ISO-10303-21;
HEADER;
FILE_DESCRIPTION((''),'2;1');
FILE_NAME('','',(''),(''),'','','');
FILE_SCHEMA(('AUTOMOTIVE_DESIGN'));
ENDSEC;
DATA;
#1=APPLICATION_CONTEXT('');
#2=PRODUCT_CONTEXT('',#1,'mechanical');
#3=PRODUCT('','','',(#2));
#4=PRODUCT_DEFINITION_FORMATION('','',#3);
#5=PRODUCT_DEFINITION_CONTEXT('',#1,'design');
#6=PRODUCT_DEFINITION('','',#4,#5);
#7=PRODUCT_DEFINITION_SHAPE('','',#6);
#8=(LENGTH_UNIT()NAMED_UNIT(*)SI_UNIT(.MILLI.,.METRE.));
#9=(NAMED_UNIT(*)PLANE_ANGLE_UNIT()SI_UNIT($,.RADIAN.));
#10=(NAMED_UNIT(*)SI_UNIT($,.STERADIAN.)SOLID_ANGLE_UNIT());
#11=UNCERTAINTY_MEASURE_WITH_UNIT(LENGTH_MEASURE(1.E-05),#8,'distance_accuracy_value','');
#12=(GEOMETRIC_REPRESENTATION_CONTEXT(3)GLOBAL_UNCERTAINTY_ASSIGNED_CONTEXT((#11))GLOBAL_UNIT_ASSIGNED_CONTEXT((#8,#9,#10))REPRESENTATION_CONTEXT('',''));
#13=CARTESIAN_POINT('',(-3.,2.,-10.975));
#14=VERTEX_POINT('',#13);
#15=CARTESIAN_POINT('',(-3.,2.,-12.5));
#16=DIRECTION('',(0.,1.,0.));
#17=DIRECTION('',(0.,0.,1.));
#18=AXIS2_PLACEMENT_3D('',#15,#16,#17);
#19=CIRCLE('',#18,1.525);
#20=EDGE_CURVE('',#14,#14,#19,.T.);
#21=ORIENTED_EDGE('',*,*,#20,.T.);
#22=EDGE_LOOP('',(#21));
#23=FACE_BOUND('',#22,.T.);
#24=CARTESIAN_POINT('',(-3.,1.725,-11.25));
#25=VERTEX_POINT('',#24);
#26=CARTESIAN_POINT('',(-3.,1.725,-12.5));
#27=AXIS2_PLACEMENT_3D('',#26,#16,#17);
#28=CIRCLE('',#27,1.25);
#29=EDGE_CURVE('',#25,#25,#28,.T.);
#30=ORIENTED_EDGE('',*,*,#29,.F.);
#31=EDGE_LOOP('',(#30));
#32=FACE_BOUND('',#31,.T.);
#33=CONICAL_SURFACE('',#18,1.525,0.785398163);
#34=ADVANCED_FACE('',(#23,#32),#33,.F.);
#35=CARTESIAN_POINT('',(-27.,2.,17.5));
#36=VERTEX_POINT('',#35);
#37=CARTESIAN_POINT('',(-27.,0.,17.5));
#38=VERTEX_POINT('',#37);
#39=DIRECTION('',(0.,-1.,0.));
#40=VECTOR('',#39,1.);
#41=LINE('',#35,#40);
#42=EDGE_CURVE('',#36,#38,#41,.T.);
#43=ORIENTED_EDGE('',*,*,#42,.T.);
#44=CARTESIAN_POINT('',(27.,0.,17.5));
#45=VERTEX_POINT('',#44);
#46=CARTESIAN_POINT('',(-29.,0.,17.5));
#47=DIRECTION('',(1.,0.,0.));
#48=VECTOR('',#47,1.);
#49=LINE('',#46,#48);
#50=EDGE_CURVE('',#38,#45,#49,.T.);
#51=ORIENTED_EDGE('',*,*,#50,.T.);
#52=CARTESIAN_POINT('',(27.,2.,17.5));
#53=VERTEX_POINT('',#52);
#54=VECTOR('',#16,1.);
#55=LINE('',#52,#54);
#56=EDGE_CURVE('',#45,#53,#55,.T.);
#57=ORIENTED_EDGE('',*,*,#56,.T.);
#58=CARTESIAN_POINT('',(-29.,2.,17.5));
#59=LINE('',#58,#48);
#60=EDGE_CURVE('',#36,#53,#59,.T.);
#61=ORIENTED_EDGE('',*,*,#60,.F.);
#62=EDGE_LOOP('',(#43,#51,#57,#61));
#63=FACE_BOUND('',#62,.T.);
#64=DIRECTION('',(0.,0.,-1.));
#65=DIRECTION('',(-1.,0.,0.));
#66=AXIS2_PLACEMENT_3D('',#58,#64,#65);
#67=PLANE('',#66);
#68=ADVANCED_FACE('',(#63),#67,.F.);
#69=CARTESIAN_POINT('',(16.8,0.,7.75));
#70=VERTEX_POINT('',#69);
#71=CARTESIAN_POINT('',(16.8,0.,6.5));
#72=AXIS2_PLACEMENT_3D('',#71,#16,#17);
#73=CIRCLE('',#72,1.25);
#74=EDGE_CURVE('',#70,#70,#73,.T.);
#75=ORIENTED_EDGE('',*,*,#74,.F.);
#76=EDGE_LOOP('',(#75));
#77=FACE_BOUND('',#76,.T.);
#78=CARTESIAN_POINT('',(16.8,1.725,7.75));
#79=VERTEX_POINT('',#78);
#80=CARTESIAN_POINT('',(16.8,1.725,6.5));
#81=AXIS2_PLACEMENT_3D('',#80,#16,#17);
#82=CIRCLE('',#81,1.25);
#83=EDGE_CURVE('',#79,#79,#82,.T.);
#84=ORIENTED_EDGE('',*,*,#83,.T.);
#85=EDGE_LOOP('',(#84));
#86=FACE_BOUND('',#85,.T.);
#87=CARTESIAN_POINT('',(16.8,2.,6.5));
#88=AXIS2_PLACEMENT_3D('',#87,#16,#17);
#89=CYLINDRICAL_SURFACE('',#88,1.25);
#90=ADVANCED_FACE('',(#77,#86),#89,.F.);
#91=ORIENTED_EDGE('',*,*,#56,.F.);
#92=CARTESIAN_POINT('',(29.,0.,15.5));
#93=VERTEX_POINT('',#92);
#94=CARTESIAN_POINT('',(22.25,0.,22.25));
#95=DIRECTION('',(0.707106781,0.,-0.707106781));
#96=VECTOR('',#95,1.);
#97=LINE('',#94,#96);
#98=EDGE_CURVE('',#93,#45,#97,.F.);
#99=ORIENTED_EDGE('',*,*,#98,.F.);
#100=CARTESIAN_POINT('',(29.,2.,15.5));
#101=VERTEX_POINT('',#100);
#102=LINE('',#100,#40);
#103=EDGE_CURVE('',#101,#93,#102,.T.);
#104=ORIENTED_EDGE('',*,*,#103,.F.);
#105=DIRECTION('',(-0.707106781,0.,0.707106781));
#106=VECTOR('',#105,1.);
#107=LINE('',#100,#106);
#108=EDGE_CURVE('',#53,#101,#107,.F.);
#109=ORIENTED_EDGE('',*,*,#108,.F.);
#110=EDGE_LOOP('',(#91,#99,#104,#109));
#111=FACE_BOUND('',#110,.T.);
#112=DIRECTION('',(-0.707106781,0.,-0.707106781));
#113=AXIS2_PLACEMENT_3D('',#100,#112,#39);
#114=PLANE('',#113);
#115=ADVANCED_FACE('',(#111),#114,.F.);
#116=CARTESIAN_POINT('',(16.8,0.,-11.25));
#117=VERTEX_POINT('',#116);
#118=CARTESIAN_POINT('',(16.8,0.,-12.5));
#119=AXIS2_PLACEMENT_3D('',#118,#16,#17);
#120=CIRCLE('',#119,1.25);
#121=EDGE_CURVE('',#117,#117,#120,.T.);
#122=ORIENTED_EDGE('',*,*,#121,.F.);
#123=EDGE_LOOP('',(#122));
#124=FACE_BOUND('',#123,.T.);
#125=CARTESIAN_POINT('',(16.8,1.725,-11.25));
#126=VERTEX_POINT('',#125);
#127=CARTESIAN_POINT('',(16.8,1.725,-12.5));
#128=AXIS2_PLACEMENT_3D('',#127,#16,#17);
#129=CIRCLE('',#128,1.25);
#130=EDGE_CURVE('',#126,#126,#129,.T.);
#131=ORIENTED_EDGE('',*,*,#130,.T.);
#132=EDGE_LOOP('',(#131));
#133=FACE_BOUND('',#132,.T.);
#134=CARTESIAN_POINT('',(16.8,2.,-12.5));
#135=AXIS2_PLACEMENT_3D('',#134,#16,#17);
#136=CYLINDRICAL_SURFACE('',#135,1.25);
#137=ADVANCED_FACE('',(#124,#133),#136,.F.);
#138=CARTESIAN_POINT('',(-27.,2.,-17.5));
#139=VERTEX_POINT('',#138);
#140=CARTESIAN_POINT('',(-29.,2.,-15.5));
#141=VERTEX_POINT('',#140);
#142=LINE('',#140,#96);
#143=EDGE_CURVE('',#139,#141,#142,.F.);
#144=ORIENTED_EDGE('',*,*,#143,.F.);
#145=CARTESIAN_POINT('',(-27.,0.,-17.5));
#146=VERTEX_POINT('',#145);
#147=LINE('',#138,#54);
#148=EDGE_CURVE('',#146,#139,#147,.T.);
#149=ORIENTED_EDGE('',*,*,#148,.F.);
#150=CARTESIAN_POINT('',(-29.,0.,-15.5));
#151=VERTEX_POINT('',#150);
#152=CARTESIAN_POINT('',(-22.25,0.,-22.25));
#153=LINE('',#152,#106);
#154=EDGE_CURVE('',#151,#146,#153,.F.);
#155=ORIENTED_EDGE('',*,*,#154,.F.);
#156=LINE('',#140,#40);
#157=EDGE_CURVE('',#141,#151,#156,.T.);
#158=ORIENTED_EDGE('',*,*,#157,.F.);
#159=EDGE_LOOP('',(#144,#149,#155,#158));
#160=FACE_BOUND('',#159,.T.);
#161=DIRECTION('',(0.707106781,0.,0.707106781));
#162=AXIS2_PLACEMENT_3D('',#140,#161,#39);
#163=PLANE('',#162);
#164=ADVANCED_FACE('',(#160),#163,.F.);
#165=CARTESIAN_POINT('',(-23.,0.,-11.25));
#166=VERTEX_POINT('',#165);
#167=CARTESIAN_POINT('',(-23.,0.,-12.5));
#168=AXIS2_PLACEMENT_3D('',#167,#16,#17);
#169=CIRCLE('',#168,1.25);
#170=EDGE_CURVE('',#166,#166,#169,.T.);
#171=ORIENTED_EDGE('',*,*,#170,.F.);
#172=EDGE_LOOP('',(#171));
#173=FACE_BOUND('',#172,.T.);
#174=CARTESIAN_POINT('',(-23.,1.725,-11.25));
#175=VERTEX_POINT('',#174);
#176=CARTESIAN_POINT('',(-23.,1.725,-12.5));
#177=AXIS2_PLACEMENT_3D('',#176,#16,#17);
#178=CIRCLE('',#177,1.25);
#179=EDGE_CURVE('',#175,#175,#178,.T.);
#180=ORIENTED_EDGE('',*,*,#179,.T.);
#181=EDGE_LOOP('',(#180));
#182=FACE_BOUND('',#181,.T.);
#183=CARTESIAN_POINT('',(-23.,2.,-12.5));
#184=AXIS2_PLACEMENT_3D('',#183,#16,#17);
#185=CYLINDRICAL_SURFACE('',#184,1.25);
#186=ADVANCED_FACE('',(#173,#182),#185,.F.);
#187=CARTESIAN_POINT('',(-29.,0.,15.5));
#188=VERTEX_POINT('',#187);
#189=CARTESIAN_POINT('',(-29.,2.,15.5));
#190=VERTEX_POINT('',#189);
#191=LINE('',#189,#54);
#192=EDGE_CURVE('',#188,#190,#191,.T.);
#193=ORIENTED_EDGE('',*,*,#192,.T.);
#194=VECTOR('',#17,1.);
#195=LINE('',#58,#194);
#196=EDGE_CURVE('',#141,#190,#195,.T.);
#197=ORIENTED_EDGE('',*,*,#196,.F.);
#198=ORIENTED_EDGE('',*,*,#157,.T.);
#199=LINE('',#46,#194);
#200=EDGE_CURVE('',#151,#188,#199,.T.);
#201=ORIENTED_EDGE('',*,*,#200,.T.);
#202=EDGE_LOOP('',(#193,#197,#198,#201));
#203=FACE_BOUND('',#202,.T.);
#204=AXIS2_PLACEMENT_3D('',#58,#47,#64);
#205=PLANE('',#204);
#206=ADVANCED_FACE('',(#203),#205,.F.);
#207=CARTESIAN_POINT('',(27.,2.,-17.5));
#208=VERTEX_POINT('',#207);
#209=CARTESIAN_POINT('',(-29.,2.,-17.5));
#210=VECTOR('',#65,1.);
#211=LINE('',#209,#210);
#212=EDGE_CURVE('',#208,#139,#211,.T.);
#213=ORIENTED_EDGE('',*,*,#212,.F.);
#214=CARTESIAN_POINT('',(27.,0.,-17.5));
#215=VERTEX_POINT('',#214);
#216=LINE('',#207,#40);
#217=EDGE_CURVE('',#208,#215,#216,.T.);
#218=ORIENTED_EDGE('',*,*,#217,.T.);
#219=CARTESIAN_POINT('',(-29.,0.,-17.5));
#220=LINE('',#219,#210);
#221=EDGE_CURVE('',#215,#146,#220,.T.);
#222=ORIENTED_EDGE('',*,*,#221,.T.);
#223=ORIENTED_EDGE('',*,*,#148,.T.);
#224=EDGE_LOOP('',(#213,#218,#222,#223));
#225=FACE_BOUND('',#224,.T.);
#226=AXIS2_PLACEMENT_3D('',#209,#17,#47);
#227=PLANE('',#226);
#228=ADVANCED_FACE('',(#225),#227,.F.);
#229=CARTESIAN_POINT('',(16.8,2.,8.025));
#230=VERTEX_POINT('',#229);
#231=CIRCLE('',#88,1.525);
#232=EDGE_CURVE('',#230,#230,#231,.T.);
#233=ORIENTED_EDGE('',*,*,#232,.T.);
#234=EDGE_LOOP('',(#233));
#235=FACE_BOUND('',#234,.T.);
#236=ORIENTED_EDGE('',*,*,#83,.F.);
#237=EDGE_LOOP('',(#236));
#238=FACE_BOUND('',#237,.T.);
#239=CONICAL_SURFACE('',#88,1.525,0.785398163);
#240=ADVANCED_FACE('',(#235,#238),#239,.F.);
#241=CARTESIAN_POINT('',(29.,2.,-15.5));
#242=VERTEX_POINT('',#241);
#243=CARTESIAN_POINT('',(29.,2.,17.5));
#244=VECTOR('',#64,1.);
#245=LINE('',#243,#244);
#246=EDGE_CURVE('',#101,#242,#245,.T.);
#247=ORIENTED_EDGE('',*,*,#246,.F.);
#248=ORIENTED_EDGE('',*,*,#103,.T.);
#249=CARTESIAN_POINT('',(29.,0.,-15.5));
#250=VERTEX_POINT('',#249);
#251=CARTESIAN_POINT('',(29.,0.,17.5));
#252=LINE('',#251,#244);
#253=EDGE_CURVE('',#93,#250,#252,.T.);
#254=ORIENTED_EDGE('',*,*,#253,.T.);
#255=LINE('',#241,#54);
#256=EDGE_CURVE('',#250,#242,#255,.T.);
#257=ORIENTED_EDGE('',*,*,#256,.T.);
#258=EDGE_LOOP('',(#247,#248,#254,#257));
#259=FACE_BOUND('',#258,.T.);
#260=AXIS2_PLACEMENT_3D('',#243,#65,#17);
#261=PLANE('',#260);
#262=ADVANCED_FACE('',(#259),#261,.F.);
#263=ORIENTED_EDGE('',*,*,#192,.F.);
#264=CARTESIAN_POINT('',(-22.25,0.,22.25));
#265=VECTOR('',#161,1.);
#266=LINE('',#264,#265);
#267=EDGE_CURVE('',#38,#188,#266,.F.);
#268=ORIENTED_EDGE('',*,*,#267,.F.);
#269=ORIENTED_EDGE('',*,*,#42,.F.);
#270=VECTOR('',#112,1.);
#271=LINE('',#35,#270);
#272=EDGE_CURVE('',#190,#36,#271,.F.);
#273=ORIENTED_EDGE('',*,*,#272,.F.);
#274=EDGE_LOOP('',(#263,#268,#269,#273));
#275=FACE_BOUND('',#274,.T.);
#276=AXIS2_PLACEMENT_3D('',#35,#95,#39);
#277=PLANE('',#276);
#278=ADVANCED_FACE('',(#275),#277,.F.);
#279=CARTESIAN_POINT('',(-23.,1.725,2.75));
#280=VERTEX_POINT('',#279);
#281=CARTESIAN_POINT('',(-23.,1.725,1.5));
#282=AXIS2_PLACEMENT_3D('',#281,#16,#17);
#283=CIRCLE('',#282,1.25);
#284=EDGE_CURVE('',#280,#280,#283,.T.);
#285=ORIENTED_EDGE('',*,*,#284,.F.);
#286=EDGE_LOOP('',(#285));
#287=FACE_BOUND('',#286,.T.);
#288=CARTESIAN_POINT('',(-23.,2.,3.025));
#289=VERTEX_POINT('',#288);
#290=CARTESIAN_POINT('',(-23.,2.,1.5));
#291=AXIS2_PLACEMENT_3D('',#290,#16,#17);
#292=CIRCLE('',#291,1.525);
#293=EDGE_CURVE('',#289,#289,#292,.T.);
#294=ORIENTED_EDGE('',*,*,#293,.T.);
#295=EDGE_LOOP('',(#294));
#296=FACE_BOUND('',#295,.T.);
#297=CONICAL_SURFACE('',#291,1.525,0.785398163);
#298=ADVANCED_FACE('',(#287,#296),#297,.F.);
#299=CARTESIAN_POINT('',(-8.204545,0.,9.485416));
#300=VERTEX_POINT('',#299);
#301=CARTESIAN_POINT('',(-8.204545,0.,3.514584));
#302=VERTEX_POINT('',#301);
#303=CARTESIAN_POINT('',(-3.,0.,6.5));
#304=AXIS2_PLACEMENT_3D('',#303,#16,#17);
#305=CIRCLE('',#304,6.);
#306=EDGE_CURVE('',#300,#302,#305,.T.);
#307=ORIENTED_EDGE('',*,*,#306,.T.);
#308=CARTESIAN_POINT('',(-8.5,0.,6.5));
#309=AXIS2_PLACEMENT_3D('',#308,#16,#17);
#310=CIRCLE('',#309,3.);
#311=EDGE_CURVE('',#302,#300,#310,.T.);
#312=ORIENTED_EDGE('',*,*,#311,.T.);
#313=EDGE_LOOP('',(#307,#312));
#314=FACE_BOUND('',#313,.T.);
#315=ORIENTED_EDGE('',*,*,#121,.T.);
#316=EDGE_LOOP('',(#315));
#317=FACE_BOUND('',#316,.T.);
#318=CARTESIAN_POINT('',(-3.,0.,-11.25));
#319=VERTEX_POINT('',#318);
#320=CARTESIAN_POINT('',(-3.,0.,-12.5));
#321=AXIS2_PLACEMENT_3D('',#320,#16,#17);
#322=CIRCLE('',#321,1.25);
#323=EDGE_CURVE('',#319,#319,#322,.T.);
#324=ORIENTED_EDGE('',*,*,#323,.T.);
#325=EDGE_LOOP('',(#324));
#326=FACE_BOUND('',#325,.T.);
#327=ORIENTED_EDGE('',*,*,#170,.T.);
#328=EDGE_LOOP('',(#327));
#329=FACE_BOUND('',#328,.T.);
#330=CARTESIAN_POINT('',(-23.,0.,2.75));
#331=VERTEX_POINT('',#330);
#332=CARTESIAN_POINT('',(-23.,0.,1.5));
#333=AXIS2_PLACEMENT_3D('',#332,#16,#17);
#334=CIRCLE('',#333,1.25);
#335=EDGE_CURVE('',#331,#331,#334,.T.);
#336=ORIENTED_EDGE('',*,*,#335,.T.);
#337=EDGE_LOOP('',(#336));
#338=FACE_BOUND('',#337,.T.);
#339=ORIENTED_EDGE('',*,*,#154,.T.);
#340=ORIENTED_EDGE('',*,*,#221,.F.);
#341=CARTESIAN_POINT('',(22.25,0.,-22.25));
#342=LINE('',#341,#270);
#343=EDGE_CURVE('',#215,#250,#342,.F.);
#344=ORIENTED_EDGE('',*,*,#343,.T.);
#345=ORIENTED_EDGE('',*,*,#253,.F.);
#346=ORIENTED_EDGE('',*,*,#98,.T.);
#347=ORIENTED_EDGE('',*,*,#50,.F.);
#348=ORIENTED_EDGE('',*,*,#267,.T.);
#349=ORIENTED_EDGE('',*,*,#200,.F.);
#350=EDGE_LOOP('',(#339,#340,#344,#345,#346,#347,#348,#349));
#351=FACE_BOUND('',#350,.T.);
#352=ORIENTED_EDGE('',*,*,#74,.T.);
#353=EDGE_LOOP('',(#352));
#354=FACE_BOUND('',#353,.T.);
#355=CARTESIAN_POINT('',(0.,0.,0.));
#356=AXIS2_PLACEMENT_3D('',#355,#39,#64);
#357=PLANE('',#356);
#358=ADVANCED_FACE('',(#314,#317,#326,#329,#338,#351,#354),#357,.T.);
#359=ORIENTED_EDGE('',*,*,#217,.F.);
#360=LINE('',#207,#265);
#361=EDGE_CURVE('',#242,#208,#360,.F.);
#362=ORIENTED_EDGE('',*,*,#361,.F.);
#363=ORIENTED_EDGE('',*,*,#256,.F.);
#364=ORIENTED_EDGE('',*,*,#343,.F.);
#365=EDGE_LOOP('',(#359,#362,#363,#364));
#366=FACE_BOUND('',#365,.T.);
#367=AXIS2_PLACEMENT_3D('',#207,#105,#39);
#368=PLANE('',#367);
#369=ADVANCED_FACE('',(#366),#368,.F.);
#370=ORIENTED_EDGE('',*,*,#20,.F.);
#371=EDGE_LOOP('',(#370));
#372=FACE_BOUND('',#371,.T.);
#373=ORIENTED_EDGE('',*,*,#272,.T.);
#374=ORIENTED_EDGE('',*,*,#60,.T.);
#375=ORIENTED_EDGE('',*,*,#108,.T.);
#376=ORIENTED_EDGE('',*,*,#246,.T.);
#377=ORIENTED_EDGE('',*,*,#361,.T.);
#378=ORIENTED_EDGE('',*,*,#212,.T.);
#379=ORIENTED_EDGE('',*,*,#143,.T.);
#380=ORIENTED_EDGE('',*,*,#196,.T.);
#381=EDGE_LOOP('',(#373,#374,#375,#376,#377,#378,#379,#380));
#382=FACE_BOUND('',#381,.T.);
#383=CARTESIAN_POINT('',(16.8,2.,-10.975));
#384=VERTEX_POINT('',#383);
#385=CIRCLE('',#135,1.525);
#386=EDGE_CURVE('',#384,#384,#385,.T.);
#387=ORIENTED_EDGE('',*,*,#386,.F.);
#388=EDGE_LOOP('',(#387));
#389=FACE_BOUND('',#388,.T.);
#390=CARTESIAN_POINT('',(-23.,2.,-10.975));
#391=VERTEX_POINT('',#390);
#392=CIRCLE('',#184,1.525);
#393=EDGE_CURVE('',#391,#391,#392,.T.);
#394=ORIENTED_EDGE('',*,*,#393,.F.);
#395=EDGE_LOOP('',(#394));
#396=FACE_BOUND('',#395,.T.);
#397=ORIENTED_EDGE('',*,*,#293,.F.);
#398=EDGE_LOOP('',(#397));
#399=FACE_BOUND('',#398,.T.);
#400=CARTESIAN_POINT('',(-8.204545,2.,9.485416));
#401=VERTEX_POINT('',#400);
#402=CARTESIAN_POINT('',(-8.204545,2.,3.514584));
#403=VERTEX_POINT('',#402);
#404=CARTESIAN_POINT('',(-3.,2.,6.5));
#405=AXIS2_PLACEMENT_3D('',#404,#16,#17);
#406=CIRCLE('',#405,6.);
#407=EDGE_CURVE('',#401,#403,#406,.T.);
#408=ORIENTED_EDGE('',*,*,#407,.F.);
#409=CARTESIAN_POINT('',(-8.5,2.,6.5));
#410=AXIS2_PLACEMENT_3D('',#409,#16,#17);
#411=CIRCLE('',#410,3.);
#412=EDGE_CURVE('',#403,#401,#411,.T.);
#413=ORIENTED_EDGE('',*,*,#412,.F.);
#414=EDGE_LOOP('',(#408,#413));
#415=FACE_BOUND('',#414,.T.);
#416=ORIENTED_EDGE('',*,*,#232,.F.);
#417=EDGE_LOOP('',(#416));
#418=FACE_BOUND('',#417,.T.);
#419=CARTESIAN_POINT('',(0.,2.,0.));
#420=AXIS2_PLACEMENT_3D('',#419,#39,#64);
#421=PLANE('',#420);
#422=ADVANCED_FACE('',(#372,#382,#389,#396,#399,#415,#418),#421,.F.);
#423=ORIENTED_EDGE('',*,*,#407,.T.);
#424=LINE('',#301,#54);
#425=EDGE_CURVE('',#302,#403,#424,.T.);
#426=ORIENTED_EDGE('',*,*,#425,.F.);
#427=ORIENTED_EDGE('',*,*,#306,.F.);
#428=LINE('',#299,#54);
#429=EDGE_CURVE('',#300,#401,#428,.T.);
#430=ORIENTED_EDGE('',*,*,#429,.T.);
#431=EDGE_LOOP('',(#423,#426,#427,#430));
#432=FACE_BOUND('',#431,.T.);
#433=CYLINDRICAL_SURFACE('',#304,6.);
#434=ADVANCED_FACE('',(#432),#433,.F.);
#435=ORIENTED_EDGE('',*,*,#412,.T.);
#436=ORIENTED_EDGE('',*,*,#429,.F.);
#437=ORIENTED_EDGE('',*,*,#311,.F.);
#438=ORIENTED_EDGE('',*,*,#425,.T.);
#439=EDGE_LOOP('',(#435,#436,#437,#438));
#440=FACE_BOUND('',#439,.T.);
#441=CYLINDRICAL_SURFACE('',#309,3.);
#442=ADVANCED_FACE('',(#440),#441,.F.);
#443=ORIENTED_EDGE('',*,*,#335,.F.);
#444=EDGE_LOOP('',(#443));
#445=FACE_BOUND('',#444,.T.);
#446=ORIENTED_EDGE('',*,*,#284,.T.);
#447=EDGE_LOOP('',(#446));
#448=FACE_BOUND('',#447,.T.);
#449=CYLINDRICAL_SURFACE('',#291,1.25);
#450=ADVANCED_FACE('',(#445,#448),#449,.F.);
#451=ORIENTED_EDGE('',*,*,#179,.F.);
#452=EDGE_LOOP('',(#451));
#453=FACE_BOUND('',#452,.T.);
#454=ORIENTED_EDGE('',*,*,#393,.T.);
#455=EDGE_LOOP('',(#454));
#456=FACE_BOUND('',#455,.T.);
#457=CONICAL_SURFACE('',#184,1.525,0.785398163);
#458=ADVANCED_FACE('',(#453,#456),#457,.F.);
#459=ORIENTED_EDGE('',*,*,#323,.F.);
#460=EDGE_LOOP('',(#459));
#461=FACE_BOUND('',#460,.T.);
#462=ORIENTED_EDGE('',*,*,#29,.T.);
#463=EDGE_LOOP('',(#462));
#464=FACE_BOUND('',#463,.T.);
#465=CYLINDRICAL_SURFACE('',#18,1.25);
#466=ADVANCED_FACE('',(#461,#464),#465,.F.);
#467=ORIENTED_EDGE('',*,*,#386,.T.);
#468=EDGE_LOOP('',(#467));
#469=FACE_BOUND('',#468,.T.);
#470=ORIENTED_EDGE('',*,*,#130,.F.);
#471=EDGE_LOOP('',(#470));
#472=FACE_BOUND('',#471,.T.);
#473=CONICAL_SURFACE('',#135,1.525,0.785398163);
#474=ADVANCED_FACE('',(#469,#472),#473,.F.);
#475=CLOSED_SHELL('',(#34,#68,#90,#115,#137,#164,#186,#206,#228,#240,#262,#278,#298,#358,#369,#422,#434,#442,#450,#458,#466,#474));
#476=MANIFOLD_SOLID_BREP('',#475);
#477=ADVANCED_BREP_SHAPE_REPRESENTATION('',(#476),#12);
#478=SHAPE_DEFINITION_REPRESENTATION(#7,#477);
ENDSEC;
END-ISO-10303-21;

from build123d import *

# Parameters (mm, degrees)
SKETCH1_W                       = 58
SKETCH1_H                       = 35
BOSS_EXTRUDE1_DEPTH             = 2
M3X0_5_TAPPED_HOLE1_D           = 2.5
M3X0_5_TAPPED_HOLE1_CSINK_D     = 3.05
M3X0_5_TAPPED_HOLE1_CSINK_ANGLE = 90
CUT_EXTRUDE1_DEPTH              = 34.930075155
CHAMFER1_SIZE                   = 2


with BuildPart() as part:
    # Sketch1 → Boss-Extrude1 (new body)
    with BuildSketch(Plane(origin=(0, 0, 0), x_dir=(1, 0, 0), z_dir=(0, 1, 0))):
        Rectangle(SKETCH1_W, SKETCH1_H)
    extrude(amount=BOSS_EXTRUDE1_DEPTH)

    # M3x0.5 Tapped Hole1 (through all)
    with Locations(Plane(origin=(0, 2, 0), x_dir=(1, 0, 0), z_dir=(0, 1, 0))):
        with Locations((-23, 12.5), (-3, 12.5), (16.8, 12.5), (16.8, -6.5), (-23, -1.5)):
            CounterSinkHole(M3X0_5_TAPPED_HOLE1_D / 2, M3X0_5_TAPPED_HOLE1_CSINK_D / 2, counter_sink_angle=M3X0_5_TAPPED_HOLE1_CSINK_ANGLE)

    # Sketch4 → Cut-Extrude1 (cut, through all)
    with BuildSketch(Plane(origin=(0, 2, 0), x_dir=(1, 0, 0), z_dir=(0, 1, 0))):
        with BuildLine():
            ThreePointArc((-8.204545455, -3.514584349), (-11.5, -6.5), (-8.204545455, -9.485415651))
            ThreePointArc((-8.204545455, -9.485415651), (3, -6.5), (-8.204545455, -3.514584349))
        make_face()
    extrude(amount=-CUT_EXTRUDE1_DEPTH, mode=Mode.SUBTRACT)

    # Chamfer1
    chamfer1_edges = [part.edges().sort_by_distance(p)[0] for p in [
        (29, 1, 17.5),
        (-29, 1, 17.5),
        (-29, 1, -17.5),
        (29, 1, -17.5),
    ]]
    chamfer(chamfer1_edges, length=CHAMFER1_SIZE)


solid = part.part
